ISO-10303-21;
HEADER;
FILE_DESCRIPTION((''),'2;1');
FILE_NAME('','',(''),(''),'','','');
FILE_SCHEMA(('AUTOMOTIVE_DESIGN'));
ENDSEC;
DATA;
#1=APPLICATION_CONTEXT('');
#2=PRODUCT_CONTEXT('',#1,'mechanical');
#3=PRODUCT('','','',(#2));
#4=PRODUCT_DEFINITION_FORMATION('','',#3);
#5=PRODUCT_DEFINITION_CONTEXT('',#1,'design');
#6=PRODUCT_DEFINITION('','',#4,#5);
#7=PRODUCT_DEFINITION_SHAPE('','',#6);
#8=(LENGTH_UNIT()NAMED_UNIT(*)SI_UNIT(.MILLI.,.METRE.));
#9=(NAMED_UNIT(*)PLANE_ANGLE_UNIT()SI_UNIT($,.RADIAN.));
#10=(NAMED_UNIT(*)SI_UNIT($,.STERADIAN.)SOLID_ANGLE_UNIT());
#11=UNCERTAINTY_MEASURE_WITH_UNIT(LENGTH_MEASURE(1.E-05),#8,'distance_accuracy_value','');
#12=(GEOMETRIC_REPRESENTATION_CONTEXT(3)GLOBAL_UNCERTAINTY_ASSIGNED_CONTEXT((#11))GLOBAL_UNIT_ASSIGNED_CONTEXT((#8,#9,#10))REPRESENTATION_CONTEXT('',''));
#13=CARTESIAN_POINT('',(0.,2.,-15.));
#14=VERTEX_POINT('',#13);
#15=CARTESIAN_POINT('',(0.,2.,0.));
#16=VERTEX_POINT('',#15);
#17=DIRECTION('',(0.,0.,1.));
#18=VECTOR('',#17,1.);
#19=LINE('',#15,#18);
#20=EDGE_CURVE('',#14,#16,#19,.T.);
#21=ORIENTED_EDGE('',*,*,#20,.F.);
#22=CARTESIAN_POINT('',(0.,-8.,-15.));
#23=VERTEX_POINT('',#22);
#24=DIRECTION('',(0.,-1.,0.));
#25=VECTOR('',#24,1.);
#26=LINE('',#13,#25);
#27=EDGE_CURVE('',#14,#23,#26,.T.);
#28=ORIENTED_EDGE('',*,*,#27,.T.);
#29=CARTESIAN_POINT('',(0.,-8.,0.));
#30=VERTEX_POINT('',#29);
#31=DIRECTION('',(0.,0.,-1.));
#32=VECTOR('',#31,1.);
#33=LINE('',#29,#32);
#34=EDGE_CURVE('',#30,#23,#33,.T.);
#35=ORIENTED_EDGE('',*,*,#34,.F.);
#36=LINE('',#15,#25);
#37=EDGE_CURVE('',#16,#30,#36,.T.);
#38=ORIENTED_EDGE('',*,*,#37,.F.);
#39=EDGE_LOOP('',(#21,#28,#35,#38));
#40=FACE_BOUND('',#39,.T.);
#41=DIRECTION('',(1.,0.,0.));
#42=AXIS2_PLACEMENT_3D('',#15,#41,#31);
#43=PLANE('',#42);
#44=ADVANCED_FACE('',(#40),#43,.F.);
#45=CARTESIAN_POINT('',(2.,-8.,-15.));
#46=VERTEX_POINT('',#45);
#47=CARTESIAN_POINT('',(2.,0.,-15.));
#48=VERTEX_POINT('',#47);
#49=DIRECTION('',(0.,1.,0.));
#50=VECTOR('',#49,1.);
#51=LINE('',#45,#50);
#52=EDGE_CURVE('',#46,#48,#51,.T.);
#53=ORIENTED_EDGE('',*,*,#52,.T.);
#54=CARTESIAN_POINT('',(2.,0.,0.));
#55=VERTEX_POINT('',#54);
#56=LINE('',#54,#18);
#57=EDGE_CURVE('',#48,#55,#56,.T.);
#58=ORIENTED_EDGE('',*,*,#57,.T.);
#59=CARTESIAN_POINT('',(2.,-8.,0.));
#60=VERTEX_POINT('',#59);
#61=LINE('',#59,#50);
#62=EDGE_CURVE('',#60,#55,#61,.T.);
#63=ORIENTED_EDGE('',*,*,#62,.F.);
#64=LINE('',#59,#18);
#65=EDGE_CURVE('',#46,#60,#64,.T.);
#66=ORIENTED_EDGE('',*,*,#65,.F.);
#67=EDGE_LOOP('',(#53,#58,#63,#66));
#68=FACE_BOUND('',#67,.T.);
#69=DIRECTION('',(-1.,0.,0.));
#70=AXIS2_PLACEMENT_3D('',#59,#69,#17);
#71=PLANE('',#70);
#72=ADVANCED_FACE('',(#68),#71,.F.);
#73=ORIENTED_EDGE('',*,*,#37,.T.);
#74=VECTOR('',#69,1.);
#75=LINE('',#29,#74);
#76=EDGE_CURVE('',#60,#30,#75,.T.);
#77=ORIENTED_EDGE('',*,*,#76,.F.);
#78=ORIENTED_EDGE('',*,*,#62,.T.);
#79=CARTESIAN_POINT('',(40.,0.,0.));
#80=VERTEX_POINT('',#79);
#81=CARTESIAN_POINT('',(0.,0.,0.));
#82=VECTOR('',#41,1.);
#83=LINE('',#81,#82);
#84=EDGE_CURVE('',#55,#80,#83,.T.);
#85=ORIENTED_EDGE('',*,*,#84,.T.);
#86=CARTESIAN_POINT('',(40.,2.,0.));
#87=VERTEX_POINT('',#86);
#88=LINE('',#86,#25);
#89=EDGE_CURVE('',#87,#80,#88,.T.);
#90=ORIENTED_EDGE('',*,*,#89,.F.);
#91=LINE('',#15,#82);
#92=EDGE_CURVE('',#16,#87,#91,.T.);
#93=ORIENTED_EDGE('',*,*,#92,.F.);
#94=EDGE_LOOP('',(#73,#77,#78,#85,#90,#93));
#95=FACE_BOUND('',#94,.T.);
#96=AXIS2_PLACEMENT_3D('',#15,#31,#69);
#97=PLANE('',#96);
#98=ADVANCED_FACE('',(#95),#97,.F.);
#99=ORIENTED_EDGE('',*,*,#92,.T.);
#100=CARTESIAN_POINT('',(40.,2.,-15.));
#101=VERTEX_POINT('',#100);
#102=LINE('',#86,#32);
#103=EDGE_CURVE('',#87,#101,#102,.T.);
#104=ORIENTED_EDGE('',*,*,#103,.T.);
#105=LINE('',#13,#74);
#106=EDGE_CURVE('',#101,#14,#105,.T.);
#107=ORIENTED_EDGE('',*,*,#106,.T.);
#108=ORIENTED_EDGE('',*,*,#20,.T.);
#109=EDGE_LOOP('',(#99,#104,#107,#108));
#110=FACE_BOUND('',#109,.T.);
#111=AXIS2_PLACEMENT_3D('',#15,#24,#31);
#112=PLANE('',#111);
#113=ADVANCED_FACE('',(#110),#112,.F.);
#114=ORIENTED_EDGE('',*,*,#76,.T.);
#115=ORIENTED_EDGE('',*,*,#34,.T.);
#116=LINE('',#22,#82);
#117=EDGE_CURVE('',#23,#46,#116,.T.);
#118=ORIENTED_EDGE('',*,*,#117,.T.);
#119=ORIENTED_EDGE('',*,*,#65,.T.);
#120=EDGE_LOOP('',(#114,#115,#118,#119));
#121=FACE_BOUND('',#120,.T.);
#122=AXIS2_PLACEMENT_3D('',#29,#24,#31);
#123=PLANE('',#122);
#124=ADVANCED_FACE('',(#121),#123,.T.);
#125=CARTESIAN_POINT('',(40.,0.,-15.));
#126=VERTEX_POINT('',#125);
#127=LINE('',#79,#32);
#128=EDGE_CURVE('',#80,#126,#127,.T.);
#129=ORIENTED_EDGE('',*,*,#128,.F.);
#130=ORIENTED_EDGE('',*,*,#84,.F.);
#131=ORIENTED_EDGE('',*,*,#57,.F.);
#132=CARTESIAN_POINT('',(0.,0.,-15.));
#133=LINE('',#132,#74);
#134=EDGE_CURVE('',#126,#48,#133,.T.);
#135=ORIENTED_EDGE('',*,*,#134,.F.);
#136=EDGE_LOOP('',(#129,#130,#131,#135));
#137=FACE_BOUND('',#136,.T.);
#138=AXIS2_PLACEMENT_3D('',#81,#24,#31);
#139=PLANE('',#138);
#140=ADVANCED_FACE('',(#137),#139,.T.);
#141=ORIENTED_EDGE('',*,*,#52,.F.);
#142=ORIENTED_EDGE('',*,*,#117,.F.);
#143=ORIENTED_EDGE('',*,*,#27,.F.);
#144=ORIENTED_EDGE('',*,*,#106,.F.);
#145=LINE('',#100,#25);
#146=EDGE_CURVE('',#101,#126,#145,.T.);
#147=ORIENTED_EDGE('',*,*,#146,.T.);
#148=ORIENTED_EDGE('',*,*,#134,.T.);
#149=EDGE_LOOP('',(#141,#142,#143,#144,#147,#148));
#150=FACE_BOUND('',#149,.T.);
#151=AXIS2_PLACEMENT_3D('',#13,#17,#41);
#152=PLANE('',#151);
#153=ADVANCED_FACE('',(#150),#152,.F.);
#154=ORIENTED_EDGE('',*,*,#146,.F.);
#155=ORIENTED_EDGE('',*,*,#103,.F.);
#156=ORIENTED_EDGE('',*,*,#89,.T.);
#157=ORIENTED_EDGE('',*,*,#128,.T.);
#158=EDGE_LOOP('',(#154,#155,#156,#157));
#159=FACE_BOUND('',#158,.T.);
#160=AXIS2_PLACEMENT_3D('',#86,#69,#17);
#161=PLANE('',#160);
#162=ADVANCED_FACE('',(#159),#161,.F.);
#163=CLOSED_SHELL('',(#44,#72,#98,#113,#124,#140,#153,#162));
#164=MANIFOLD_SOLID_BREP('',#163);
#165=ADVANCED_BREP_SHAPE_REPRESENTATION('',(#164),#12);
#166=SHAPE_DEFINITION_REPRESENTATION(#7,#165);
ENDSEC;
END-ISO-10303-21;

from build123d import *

# Parameters (mm, degrees)
SKETCH1_W           = 40
SKETCH1_H           = 15
BOSS_EXTRUDE1_DEPTH = 2
SKETCH2_W           = 2
SKETCH2_H           = 15
BOSS_EXTRUDE2_DEPTH = 8


with BuildPart() as part:
    # Sketch1 → Boss-Extrude1 (new body)
    with BuildSketch(Plane(origin=(0, 0, 0), x_dir=(1, 0, 0), z_dir=(0, 1, 0))):
        with Locations((20, 7.5)):
            Rectangle(SKETCH1_W, SKETCH1_H)
    extrude(amount=BOSS_EXTRUDE1_DEPTH)

    # Sketch2 → Boss-Extrude2 (add)
    with BuildSketch(Plane.XZ):
        with Locations((1, -7.5)):
            Rectangle(SKETCH2_W, SKETCH2_H)
    extrude(amount=BOSS_EXTRUDE2_DEPTH)


solid = part.part
